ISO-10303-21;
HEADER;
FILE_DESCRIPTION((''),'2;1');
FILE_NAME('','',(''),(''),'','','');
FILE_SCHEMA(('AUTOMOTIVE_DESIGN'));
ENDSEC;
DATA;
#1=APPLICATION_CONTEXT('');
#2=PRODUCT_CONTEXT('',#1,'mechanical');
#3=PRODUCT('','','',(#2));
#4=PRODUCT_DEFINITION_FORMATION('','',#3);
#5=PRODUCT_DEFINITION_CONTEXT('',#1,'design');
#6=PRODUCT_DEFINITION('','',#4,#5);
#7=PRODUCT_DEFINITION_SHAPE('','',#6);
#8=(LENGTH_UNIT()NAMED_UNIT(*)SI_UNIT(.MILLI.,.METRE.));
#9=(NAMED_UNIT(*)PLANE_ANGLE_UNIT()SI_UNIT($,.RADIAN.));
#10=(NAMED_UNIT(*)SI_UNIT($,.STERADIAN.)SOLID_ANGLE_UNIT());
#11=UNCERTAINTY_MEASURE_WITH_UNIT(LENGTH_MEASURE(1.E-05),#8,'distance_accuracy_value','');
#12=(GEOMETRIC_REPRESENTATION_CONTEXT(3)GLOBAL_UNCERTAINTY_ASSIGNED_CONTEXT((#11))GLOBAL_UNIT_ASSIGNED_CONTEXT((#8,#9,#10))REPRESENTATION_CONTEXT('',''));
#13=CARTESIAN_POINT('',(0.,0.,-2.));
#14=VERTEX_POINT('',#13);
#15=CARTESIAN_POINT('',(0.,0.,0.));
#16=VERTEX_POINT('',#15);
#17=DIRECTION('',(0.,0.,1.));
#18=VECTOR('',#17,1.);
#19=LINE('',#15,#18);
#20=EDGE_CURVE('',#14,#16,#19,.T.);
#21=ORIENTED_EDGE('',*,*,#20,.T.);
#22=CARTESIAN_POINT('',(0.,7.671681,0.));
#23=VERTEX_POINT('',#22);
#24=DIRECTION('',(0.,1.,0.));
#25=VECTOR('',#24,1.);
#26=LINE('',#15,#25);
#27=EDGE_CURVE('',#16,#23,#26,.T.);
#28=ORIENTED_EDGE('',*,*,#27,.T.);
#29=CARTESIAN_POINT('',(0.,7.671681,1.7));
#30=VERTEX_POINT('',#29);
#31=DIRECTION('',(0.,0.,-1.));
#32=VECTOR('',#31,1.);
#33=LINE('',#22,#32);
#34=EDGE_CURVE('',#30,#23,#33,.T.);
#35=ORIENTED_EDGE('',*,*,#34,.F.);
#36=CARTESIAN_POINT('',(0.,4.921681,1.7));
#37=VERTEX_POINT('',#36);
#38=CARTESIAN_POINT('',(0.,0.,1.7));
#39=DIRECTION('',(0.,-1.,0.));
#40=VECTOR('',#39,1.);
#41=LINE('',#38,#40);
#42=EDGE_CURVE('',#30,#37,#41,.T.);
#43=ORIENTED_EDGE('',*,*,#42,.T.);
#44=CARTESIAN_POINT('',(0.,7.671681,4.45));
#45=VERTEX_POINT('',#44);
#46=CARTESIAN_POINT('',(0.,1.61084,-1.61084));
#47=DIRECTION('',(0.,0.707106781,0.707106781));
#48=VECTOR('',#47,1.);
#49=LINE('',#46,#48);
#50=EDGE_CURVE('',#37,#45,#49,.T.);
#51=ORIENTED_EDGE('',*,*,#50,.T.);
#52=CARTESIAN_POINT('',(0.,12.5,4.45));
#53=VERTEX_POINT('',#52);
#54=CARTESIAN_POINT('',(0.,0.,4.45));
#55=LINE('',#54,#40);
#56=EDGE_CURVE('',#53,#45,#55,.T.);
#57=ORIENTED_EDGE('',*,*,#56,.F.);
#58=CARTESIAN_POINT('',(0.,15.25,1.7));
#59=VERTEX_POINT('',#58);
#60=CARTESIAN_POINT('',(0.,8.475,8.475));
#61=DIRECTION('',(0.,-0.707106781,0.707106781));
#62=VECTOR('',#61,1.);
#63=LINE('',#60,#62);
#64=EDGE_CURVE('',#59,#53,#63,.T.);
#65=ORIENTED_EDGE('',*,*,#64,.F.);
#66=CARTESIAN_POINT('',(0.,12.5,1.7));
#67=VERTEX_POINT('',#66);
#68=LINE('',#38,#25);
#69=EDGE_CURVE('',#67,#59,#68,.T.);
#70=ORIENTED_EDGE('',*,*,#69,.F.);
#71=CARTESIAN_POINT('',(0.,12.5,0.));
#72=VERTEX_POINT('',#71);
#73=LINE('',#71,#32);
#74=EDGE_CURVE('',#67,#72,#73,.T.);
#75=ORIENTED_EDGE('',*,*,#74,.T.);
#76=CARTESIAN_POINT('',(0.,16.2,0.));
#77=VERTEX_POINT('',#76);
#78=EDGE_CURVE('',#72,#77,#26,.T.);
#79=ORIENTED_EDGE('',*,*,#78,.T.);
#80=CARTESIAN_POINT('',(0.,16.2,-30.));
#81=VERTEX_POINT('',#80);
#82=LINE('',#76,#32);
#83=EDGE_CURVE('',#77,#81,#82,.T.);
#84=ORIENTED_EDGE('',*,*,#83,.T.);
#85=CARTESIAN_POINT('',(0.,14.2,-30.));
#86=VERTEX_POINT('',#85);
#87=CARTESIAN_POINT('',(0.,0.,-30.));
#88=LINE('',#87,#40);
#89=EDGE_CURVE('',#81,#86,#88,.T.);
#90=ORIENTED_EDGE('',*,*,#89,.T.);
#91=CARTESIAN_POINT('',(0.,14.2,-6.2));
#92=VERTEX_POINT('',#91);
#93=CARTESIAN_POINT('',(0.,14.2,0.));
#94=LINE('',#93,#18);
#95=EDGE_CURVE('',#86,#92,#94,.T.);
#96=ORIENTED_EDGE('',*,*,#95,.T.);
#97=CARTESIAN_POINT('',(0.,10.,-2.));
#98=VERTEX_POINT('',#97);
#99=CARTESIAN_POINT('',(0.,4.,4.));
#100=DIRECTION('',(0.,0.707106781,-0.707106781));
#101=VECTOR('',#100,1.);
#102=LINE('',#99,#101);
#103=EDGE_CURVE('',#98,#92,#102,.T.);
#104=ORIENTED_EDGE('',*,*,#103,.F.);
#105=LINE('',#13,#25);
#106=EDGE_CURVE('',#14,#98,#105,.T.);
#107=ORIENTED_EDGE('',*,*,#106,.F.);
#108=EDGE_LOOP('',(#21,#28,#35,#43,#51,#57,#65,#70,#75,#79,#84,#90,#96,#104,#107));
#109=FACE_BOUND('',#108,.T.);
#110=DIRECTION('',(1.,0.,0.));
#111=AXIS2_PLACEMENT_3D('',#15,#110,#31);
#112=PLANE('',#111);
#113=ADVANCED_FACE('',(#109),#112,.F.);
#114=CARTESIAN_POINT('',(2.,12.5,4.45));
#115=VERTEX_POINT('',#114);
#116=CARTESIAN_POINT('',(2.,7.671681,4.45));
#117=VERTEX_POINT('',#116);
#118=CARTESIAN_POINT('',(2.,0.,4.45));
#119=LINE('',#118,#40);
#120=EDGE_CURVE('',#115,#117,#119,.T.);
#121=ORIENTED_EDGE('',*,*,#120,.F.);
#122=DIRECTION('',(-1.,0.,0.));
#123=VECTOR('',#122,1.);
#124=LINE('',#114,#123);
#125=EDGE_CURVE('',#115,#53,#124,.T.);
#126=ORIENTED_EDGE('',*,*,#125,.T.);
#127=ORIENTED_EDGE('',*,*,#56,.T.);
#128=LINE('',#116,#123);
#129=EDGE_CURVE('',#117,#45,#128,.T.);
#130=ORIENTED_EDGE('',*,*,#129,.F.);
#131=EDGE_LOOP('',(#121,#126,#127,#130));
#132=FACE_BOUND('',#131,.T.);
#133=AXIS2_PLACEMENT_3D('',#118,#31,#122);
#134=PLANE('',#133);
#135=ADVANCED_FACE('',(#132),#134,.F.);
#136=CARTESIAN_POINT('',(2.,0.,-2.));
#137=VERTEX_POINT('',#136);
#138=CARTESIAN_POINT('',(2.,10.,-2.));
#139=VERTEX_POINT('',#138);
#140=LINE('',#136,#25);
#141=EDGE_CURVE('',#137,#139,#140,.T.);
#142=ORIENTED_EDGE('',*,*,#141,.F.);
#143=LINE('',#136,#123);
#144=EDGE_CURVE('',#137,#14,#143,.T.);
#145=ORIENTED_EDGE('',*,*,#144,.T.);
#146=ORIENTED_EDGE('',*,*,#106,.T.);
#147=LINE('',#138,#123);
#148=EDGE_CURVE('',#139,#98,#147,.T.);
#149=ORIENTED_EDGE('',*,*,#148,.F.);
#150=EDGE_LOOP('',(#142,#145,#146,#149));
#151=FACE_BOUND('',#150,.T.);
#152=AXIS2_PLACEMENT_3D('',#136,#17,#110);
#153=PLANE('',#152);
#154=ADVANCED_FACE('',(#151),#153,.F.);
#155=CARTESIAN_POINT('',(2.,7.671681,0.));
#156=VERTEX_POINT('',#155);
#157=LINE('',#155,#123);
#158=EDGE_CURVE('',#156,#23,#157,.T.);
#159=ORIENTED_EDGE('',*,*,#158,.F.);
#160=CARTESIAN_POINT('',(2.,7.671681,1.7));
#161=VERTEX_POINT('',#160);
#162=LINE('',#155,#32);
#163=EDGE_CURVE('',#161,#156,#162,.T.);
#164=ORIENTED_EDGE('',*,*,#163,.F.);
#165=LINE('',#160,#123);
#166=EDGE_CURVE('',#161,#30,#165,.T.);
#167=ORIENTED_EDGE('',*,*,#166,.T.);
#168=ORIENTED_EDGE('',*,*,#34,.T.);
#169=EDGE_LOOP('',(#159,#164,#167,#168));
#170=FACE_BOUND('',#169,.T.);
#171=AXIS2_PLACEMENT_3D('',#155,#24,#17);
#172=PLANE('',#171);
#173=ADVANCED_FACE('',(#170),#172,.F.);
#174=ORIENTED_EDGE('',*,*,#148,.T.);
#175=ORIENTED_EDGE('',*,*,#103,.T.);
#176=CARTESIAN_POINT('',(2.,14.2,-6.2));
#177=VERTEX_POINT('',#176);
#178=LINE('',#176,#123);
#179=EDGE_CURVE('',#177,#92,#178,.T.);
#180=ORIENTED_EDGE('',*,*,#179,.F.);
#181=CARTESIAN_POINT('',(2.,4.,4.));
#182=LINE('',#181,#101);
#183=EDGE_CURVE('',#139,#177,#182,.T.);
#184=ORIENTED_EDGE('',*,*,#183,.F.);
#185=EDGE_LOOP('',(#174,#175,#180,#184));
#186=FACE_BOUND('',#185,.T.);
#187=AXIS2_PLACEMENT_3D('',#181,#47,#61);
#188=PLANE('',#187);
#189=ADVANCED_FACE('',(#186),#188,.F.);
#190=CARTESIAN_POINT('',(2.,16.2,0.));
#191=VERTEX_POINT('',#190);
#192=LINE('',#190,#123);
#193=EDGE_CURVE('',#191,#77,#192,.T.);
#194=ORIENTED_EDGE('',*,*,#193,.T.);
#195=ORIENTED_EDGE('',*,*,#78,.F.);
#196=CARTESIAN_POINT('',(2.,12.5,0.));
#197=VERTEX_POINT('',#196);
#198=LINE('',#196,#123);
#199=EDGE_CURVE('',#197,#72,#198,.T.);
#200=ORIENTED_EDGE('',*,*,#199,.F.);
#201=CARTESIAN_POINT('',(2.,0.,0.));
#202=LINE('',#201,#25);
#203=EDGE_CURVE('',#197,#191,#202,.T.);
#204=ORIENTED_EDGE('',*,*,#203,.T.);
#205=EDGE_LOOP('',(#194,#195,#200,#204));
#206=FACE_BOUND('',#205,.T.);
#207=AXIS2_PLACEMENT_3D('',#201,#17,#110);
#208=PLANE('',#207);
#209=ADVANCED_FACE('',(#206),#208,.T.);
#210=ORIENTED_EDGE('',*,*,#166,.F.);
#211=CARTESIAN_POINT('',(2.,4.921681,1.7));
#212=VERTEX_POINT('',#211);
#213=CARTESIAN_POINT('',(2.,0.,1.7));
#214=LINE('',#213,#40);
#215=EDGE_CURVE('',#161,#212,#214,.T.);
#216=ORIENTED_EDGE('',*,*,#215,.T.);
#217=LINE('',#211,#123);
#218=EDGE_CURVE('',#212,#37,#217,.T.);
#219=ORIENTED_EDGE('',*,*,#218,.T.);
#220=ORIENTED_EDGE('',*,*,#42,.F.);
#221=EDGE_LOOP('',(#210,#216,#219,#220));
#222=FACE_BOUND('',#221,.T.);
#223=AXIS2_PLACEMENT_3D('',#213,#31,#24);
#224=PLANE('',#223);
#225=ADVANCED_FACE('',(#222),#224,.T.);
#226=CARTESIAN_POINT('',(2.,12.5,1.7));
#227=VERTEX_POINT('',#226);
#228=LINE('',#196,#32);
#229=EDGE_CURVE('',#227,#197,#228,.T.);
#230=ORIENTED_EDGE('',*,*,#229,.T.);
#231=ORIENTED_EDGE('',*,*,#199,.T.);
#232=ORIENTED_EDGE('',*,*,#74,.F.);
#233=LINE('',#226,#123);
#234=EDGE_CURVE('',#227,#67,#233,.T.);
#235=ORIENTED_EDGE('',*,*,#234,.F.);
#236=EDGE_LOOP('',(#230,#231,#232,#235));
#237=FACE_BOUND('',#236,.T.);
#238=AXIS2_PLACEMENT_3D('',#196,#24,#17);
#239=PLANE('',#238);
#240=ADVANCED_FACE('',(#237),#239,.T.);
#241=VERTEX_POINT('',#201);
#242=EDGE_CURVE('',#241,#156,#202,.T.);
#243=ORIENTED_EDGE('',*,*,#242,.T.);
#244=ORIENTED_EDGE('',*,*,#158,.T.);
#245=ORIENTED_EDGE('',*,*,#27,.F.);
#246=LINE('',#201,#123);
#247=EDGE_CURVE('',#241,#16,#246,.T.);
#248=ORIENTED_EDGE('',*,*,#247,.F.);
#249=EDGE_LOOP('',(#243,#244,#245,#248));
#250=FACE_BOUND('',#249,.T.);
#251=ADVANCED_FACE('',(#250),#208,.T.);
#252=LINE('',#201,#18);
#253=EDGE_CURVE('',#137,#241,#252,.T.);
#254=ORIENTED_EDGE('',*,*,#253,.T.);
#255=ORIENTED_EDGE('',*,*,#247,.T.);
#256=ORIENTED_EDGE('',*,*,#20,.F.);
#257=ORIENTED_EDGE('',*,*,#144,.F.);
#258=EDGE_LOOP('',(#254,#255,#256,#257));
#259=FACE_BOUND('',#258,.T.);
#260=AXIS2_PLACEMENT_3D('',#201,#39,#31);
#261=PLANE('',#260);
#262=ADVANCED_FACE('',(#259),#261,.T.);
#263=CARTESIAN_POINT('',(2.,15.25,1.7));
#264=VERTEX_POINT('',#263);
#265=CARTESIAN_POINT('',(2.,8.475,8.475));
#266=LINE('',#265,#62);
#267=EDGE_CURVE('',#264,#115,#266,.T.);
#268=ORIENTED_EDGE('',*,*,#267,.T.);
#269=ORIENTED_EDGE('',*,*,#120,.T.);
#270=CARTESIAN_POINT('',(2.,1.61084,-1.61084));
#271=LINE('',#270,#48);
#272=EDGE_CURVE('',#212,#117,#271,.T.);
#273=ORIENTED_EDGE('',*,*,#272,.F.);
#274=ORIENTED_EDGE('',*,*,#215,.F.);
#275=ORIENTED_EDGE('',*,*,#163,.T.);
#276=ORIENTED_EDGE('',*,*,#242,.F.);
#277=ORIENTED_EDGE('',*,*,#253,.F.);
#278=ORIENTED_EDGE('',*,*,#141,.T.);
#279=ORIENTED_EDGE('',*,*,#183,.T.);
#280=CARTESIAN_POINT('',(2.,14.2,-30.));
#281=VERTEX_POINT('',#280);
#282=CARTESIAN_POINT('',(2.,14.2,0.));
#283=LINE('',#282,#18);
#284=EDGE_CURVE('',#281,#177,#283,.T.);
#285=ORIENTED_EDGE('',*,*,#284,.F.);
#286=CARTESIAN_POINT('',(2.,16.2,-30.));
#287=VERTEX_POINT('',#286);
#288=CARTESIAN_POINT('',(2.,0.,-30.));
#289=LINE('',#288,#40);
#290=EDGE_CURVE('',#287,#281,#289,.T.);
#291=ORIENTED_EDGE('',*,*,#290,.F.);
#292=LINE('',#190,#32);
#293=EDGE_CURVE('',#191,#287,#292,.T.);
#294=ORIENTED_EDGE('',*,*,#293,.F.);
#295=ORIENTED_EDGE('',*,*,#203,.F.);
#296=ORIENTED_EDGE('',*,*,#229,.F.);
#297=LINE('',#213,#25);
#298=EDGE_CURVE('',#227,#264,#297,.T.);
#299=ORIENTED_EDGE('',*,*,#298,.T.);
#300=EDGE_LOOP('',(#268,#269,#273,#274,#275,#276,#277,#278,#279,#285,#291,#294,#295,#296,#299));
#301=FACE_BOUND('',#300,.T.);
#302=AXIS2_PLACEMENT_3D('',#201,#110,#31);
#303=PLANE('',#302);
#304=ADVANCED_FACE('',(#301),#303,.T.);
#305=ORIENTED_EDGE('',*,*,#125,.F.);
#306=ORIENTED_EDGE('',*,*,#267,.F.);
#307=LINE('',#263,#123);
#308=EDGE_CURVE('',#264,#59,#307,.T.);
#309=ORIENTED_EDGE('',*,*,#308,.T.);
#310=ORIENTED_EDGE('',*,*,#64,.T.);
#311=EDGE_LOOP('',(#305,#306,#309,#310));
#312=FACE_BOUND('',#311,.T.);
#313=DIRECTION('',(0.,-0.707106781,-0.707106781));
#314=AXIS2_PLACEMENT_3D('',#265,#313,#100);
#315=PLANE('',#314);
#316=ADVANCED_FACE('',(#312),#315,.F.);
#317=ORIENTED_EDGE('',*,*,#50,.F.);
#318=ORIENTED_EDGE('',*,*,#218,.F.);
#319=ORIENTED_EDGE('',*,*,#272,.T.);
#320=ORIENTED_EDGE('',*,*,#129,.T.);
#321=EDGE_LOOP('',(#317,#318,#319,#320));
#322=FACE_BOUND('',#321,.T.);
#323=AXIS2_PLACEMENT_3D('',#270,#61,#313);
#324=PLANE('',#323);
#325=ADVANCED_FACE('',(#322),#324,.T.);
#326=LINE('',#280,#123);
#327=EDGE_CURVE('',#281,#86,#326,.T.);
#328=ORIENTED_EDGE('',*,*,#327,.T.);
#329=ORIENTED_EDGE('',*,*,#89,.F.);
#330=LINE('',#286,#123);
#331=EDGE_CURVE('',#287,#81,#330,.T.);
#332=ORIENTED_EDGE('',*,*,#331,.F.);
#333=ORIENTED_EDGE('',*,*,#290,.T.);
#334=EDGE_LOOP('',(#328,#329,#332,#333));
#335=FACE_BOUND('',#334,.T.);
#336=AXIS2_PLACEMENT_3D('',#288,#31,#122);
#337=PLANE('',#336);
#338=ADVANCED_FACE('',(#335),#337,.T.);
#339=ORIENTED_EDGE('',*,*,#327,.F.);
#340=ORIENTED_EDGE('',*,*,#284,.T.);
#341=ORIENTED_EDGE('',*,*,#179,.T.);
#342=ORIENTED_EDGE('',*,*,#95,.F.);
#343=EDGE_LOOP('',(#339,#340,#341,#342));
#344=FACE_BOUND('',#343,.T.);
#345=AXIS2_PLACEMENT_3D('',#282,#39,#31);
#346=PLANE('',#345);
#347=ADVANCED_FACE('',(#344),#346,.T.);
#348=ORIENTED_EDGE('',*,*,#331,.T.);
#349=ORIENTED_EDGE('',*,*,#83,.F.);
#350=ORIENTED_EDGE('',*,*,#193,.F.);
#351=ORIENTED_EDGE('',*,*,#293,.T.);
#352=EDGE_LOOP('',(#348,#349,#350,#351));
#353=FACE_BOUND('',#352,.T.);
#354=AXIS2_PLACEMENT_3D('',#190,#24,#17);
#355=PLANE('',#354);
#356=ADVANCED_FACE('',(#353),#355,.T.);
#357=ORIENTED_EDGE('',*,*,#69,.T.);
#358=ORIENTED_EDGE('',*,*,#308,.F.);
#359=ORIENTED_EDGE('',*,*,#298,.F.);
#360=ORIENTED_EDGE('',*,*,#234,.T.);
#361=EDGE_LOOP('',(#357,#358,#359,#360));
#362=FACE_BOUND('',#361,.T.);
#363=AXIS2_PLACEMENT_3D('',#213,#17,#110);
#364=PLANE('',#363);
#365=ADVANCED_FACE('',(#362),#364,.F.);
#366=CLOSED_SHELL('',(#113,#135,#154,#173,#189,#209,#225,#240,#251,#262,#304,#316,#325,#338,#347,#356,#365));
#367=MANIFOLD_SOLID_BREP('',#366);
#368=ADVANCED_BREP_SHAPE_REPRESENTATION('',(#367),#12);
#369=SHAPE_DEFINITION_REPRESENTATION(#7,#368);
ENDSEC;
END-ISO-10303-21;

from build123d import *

# Parameters (mm, degrees)
BOSS_EXTRUDE2_DEPTH = 2


with BuildPart() as part:
    # Sketch1 → Boss-Extrude2 (new body)
    with BuildSketch(Plane(origin=(0, 0, 0), x_dir=(0, 0, -1), z_dir=(1, 0, 0))):
        Polygon((0, 7.671680622), (0, 0), (2, 0), (2, 10), (6.2, 14.2), (30, 14.2), (30, 16.2), (0, 16.2), (0, 12.5), (-1.7, 12.5), (-1.7, 15.25), (-4.45, 12.5), (-4.45, 7.671680622), (-1.7, 4.921680622), (-1.7, 7.671680622), align=None)
    extrude(amount=BOSS_EXTRUDE2_DEPTH)


solid = part.part
